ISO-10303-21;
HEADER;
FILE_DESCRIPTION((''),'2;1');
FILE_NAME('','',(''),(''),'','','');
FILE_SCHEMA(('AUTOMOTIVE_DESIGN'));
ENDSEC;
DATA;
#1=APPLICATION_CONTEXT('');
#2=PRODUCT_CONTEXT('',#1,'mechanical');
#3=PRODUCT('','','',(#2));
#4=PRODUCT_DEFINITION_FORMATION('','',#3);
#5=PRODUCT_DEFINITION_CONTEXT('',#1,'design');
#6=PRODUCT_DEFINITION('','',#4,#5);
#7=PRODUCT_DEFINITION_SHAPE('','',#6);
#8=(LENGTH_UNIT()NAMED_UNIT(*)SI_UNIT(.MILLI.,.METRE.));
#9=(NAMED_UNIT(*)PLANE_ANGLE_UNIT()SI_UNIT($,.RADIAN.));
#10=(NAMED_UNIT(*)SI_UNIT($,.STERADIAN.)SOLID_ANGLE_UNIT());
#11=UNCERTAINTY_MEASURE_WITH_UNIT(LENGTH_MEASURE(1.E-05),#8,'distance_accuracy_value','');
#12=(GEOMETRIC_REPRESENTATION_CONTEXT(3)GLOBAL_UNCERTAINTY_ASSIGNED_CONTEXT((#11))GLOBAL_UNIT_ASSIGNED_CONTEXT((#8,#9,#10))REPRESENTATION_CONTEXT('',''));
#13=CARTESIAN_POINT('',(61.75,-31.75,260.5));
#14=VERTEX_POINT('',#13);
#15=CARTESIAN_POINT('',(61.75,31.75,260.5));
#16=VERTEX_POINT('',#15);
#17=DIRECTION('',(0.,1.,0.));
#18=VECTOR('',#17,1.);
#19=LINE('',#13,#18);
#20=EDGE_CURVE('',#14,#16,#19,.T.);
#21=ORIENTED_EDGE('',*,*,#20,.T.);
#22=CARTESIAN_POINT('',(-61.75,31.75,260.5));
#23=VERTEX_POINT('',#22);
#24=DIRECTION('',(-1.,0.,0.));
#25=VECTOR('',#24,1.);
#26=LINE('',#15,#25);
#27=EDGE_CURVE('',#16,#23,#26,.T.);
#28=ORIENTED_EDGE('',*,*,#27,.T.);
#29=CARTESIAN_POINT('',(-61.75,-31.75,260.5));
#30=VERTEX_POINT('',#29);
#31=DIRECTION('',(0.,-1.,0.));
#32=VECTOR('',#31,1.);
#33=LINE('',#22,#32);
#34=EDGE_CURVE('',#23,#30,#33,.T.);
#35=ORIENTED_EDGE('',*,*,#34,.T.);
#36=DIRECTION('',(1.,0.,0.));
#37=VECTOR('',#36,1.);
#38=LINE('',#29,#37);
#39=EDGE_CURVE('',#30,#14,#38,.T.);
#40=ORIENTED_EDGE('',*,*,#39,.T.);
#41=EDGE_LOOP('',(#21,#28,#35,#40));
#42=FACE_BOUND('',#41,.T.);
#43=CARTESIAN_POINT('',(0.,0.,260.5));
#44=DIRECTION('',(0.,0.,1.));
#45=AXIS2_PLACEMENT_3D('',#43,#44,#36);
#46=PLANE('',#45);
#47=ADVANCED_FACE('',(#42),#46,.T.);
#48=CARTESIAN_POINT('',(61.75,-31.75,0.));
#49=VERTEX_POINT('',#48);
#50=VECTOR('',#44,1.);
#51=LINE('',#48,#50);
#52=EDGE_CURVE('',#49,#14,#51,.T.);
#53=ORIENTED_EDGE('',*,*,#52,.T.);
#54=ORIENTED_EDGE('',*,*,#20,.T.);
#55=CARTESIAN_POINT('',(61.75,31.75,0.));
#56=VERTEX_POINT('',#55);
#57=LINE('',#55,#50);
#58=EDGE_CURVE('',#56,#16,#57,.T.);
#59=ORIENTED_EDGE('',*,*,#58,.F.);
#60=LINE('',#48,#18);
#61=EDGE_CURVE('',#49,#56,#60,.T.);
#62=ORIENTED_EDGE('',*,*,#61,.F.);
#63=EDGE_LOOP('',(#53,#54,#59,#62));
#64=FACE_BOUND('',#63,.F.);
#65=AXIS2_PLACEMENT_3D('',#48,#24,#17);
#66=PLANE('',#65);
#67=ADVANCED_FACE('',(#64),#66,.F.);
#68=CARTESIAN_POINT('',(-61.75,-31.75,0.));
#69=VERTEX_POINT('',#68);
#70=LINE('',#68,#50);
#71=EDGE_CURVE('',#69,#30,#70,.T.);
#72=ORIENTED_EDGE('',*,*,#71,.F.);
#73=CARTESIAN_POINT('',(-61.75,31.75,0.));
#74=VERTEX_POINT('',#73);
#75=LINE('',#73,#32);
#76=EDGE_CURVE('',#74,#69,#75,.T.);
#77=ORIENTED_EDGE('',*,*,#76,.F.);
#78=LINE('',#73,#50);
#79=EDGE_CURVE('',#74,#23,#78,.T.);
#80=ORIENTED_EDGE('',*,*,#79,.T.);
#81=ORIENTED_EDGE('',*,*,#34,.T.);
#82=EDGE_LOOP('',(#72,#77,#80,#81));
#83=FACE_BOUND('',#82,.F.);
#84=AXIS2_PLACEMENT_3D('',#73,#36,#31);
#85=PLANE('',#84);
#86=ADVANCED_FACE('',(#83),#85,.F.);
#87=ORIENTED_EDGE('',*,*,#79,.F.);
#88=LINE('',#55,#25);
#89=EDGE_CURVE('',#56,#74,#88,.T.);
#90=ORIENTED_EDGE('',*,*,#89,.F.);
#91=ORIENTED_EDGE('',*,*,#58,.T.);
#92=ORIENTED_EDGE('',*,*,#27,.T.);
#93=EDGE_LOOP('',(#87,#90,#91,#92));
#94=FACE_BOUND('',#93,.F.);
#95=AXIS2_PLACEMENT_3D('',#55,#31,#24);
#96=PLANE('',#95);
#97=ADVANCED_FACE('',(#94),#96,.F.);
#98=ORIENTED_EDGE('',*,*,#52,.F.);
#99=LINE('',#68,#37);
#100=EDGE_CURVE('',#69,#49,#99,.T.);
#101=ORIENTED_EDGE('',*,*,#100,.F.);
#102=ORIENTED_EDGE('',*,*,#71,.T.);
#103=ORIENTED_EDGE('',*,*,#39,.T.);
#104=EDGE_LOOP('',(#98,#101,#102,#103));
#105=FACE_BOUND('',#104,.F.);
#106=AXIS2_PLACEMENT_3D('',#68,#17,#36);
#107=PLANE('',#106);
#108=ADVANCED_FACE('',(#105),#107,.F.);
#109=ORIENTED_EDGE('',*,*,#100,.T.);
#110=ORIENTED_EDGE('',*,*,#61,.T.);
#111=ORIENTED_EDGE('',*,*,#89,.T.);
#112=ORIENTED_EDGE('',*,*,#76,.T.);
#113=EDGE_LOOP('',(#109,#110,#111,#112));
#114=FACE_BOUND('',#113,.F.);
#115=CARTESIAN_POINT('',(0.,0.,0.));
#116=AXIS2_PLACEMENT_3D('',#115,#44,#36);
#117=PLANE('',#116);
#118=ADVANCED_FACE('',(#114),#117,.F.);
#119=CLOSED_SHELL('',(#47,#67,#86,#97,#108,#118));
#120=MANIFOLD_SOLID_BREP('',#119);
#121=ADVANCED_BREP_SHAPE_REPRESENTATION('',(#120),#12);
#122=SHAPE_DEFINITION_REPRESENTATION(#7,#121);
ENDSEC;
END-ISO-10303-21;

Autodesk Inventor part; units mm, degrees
ref_plane "YZ Plane" through (0, 0, 0) normal (1, 0, 0) x (0, 1, 0)
ref_plane "XZ Plane" through (0, 0, 0) normal (0, 1, 0) x (-1, 0, 0)
ref_plane "XY Plane" through (0, 0, 0) normal (0, 0, 1) x (1, 0, 0)
sketch "Sketch1" plane through (0, 0, 0) normal (0, 0, 1) x (1, 0, 0)
  line L0 (-61.75, -31.75) -> (61.75, -31.75)
  line L1 (61.75, -31.75) -> (61.75, 31.75)
  line L2 (61.75, 31.75) -> (-61.75, 31.75)
  line L3 (-61.75, 31.75) -> (-61.75, -31.75)
  line L4 (-61.75, -31.75) -> (61.75, 31.75) construction
  line L5 (61.75, -31.75) -> (-61.75, 31.75) construction
  point P0 (0, 0)
  dimension "d0" = 123.5
  dimension "d1" = 63.5
extrude "Extrusion1" add sketch "Sketch1" along normal blind 260.5
properties part number "Battery" material "Battery"
